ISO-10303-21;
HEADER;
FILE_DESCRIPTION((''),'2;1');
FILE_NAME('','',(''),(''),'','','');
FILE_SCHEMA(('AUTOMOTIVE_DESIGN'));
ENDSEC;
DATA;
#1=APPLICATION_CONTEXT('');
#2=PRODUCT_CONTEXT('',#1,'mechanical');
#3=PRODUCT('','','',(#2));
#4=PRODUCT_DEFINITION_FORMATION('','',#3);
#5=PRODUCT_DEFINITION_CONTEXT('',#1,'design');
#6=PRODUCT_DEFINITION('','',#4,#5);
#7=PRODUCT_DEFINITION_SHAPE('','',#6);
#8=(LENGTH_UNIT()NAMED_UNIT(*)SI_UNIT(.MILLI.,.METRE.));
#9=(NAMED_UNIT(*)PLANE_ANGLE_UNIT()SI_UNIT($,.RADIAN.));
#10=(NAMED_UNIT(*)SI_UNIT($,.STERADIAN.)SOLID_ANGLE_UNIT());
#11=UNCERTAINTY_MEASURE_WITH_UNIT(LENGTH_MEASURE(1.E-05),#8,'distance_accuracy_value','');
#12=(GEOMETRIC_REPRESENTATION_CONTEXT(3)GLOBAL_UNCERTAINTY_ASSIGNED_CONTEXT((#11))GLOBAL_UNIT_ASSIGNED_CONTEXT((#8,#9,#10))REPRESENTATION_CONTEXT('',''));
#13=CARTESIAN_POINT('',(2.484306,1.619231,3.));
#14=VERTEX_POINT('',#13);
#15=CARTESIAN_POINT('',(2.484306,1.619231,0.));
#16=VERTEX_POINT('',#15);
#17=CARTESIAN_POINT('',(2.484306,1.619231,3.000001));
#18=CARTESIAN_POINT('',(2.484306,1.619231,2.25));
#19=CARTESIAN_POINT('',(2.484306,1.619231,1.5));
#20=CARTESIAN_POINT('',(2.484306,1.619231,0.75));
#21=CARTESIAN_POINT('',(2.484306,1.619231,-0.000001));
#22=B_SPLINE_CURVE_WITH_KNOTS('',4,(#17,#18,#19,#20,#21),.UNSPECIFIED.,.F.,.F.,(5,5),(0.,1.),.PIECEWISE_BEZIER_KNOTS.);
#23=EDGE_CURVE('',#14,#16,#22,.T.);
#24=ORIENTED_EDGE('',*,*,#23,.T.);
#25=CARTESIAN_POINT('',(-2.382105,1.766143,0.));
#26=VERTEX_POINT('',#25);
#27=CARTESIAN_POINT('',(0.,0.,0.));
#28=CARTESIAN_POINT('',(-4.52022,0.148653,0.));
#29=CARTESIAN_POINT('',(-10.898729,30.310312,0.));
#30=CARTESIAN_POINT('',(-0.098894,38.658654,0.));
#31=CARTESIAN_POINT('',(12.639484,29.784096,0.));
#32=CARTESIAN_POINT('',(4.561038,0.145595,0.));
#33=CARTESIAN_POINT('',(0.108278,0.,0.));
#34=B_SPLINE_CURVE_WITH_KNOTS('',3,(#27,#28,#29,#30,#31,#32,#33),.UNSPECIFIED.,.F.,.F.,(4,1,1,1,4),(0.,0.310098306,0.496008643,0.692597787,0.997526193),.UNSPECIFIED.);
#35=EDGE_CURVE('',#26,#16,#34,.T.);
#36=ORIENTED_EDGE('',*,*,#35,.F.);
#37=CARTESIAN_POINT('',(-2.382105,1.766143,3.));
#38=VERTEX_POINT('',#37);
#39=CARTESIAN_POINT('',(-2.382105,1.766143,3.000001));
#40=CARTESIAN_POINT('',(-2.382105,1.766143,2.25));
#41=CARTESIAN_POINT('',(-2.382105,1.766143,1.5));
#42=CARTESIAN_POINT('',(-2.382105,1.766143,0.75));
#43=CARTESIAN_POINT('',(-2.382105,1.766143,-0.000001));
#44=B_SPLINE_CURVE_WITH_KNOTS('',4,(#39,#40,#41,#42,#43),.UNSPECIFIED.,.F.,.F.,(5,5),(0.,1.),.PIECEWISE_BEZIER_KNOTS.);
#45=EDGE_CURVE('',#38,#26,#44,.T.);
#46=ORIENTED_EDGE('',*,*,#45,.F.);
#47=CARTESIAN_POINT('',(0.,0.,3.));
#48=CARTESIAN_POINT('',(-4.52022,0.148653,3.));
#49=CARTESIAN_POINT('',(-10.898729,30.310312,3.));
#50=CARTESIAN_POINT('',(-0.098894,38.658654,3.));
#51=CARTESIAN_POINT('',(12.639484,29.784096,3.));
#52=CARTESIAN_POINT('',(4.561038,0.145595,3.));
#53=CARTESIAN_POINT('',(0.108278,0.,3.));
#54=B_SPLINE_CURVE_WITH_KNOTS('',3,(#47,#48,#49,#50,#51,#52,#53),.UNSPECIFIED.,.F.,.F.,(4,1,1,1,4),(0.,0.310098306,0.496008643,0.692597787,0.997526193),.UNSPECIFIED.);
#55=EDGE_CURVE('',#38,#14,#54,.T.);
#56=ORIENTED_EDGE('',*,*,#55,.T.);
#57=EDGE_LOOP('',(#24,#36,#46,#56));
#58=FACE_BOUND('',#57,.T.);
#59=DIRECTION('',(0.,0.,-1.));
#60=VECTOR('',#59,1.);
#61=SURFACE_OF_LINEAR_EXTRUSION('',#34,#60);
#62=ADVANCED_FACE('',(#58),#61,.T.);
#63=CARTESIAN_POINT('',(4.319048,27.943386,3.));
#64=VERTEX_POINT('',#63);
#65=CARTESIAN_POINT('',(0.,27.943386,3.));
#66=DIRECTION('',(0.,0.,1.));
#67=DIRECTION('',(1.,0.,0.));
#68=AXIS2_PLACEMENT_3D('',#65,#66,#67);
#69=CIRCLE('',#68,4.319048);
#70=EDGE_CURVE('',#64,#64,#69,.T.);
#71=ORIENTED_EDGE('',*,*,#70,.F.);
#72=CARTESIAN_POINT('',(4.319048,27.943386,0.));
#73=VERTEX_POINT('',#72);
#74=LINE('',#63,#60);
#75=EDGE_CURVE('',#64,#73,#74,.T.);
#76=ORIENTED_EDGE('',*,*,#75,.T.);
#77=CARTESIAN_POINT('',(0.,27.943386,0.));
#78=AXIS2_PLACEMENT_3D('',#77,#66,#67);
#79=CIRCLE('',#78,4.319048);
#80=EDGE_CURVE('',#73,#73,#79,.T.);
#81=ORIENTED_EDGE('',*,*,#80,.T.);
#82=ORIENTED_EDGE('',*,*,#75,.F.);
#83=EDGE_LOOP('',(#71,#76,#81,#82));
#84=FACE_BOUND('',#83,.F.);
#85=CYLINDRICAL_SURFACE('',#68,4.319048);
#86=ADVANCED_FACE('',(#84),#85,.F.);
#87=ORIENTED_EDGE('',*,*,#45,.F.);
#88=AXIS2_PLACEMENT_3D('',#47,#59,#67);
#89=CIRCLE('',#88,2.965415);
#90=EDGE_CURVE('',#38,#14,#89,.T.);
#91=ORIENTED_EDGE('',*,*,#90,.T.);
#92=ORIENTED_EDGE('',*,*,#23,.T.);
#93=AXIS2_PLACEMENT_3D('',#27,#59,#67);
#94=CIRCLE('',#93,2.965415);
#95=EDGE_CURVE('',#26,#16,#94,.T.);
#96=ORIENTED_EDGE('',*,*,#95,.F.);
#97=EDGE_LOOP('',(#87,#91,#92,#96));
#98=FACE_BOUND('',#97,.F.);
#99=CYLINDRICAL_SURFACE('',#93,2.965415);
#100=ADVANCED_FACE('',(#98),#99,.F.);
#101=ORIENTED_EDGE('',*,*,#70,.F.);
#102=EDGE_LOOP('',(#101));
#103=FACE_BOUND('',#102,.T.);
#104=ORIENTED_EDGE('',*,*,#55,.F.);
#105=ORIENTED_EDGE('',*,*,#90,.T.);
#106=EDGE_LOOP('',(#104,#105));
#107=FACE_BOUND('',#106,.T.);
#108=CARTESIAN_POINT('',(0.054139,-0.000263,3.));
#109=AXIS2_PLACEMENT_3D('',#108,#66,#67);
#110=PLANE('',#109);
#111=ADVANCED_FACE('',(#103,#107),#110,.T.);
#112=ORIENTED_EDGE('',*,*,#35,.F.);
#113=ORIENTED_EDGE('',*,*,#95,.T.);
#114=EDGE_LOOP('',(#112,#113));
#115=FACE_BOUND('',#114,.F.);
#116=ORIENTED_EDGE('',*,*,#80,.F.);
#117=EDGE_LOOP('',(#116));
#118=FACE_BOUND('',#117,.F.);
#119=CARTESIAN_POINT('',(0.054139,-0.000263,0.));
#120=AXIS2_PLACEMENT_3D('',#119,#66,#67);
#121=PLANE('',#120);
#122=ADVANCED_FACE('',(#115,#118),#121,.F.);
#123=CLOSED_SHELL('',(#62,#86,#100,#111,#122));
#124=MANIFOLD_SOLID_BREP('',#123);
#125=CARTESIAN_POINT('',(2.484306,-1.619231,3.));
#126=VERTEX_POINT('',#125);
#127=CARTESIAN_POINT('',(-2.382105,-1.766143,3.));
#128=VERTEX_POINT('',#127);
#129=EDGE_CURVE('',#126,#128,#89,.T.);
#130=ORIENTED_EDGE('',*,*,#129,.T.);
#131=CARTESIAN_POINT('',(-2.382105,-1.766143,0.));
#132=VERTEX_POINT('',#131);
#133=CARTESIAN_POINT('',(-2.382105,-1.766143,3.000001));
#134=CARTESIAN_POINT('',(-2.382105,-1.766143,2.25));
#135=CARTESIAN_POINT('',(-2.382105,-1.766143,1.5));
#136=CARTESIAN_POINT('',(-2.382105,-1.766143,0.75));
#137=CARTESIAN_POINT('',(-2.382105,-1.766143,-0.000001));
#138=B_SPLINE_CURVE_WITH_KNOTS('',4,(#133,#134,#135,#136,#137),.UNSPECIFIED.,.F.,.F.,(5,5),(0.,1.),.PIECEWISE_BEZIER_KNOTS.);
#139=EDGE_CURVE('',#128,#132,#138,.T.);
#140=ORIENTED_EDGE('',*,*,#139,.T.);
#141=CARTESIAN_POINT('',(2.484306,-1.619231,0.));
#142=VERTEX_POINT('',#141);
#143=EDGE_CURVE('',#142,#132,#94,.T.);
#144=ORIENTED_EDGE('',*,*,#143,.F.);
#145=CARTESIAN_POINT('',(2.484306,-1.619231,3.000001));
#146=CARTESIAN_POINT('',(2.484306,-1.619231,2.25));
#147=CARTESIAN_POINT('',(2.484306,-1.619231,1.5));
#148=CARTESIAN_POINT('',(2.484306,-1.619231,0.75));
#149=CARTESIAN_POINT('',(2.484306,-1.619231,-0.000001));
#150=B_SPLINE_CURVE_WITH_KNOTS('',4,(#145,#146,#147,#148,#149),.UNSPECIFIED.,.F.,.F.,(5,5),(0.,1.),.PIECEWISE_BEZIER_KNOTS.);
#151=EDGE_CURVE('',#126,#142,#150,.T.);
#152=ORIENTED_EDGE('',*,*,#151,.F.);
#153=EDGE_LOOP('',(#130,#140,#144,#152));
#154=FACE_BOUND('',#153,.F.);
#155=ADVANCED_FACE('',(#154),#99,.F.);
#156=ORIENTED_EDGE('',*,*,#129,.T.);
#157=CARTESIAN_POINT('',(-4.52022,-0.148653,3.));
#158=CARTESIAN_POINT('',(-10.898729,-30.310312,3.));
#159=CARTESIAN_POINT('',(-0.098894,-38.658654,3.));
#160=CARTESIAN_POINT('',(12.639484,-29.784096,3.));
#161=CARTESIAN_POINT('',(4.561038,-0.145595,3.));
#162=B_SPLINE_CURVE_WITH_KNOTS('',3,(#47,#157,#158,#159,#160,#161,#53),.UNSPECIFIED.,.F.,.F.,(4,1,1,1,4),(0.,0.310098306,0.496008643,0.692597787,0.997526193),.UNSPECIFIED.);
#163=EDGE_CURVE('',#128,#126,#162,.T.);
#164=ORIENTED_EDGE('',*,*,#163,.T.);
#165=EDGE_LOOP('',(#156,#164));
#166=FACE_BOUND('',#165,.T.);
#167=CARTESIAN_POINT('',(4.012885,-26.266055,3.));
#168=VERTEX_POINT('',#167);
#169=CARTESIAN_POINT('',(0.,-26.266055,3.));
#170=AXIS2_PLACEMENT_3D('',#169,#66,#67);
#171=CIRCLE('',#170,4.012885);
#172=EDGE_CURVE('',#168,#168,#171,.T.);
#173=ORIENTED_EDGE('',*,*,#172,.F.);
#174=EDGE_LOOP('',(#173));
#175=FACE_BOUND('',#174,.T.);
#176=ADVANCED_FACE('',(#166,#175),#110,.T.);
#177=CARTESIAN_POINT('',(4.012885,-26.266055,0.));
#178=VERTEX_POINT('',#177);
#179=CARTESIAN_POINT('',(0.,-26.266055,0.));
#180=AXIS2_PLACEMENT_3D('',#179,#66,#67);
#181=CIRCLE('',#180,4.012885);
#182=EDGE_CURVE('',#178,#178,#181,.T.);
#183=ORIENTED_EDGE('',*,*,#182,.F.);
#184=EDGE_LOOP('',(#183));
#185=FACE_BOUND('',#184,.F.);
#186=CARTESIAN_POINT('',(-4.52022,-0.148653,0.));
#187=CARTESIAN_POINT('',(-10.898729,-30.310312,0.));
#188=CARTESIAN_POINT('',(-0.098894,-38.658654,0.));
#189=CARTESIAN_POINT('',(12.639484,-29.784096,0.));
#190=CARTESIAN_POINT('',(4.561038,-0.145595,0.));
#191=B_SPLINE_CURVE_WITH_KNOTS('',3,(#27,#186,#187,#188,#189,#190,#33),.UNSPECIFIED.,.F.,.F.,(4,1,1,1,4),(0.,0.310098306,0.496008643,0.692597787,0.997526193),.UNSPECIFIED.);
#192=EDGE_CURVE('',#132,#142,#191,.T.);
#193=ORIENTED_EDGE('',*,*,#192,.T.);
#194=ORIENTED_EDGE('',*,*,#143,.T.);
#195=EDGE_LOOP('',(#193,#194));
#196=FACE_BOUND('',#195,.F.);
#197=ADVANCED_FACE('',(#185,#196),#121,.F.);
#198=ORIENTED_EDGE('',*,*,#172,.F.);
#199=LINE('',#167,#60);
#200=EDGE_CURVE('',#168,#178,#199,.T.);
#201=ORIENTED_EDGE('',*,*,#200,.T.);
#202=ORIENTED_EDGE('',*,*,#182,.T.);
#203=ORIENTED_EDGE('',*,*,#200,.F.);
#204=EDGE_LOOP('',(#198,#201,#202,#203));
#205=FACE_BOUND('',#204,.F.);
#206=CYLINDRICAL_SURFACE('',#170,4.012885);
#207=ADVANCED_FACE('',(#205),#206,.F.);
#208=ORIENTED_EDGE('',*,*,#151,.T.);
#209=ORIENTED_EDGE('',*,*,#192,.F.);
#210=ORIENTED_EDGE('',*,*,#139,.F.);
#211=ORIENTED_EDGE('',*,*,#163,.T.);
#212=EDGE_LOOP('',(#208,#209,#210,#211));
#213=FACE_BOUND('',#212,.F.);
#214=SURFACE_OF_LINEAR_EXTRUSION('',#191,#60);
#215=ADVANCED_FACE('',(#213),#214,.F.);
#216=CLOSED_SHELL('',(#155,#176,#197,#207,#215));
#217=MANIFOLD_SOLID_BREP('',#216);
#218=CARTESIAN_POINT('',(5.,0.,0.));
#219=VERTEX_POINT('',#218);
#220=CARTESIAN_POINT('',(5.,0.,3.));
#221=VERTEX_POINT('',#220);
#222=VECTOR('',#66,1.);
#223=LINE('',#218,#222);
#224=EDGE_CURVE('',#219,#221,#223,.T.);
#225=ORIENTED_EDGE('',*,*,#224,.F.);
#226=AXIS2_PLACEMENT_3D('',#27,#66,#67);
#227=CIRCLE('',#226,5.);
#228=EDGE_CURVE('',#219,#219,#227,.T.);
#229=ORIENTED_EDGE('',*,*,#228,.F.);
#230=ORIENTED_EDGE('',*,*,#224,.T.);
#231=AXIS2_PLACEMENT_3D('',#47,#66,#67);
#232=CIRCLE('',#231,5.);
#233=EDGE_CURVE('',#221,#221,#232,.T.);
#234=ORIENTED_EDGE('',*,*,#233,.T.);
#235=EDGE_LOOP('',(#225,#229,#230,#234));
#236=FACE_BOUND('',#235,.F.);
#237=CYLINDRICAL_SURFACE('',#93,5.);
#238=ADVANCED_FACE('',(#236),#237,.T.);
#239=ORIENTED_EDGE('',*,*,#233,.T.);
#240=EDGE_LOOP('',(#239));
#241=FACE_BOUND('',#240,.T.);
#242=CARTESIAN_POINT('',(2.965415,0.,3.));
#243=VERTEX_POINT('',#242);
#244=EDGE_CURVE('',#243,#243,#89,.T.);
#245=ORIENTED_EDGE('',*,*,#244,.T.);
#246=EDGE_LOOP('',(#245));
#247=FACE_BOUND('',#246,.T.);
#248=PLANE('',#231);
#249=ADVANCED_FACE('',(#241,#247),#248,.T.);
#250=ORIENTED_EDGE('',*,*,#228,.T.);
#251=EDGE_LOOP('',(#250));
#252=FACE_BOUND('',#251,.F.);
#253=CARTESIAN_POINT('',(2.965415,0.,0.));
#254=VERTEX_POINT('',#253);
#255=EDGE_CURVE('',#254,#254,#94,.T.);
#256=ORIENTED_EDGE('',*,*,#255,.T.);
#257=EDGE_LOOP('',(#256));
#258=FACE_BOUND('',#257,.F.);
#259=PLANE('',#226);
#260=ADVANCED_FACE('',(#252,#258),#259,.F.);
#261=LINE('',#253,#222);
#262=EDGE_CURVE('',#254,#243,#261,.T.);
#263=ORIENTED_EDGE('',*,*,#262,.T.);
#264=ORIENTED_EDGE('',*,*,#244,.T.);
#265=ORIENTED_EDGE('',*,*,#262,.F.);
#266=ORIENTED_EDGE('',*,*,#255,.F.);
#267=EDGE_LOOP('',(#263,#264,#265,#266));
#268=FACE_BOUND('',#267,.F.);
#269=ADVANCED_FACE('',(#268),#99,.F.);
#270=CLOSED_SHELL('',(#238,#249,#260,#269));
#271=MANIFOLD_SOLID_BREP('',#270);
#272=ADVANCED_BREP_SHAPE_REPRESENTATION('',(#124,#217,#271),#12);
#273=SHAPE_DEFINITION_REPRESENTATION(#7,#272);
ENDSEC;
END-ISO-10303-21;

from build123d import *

# Parameters (mm, degrees)
F0_R     = 5
F2_DEPTH = 3
F3_R     = 2.9654149604
F4_DEPTH = 3
F5_R     = 4.3190481717
F6_DEPTH = 3
F7_R     = 4.0128846503
F8_DEPTH = 3


with BuildPart() as f2:
    # F0 (on Top) → F2 (new body)
    with BuildSketch(Plane.XY):
        Circle(F0_R)
    extrude(amount=F2_DEPTH)


with BuildPart() as f2b:
    # F1 (on face) → F2, piece 2 (new body)
    with BuildSketch(Plane.XY):
        with BuildLine():
            Line((0.1082780632, 0), (0, 0))
            add(Edge.make_bspline(
                [(0.1082780632, 0), (0.0721539391, -0.0011811757), (0.0360600267, -0.0011858813), (0, 0)],
                knots=[0.9975261926, 0.9975261926, 0.9975261926, 0.9975261926, 1, 1, 1, 1], degree=3))
        make_face()
        with BuildLine():
            add(Edge.make_bspline(
                [(0.1082780632, 0), (0.0721539391, 0.0011811757), (0.0360600267, 0.0011858813), (0, 0)],
                knots=[0.9975261926, 0.9975261926, 0.9975261926, 0.9975261926, 1, 1, 1, 1], degree=3))
            Line((0, 0), (0.1082780632, 0))
        make_face()
        with BuildLine():
            add(Edge.make_bspline(
                [(0.1082780632, 0), (0.0721539391, -0.0011811757), (0.0360600267, -0.0011858813), (0, 0)],
                knots=[0.9975261926, 0.9975261926, 0.9975261926, 0.9975261926, 1, 1, 1, 1], degree=3))
            add(Edge.make_bspline(
                [(0, 0), (-4.5202198092, -0.1486533614), (-10.8987291902, -30.310312004), (-0.0988943112, -38.6586537279), (12.639483903, -29.7840963528), (4.5610384466, -0.1455950163), (0.1082780632, 0)],
                knots=[0, 0, 0, 0, 0.3100983062, 0.4960086427, 0.6925977866, 0.9975261926, 0.9975261926, 0.9975261926, 0.9975261926], degree=3))
        make_face()
        with BuildLine():
            add(Edge.make_bspline(
                [(0, 0), (-4.5202198092, 0.1486533614), (-10.8987291902, 30.310312004), (-0.0988943112, 38.6586537279), (12.639483903, 29.7840963528), (4.5610384466, 0.1455950163), (0.1082780632, 0)],
                knots=[0, 0, 0, 0, 0.3100983062, 0.4960086427, 0.6925977866, 0.9975261926, 0.9975261926, 0.9975261926, 0.9975261926], degree=3))
            add(Edge.make_bspline(
                [(0.1082780632, 0), (0.0721539391, 0.0011811757), (0.0360600267, 0.0011858813), (0, 0)],
                knots=[0.9975261926, 0.9975261926, 0.9975261926, 0.9975261926, 1, 1, 1, 1], degree=3))
        make_face()
    extrude(amount=F2_DEPTH)


with BuildPart() as f4_tool:
    # F3 (on face) → F4 (new body)
    with BuildSketch(Plane(origin=(0, 0, 0), x_dir=(1, 0, 0), z_dir=(0, 0, -1))):
        Circle(F3_R)
    extrude(amount=-F4_DEPTH)


with BuildPart() as f2_1:
    add(f2.part)

    # F4: cut by f4_tool
    add(f4_tool.part, mode=Mode.SUBTRACT)


with BuildPart() as f2b_1:
    add(f2b.part)

    # F4: cut by f4_tool
    add(f4_tool.part, mode=Mode.SUBTRACT)

    # F5 (on face) → F6 (cut)
    with BuildSketch(Plane.XY.offset(3)):
        with Locations((0, 27.943385765)):
            Circle(F5_R)
    extrude(amount=-F6_DEPTH, mode=Mode.SUBTRACT)

    # F7 (on face) → F8 (cut)
    with BuildSketch(Plane.XY.offset(3)):
        with Locations((0, -26.2660551816)):
            Circle(F7_R)
    extrude(amount=-F8_DEPTH, mode=Mode.SUBTRACT)


solid = Compound([f2_1.part, f2b_1.part])
